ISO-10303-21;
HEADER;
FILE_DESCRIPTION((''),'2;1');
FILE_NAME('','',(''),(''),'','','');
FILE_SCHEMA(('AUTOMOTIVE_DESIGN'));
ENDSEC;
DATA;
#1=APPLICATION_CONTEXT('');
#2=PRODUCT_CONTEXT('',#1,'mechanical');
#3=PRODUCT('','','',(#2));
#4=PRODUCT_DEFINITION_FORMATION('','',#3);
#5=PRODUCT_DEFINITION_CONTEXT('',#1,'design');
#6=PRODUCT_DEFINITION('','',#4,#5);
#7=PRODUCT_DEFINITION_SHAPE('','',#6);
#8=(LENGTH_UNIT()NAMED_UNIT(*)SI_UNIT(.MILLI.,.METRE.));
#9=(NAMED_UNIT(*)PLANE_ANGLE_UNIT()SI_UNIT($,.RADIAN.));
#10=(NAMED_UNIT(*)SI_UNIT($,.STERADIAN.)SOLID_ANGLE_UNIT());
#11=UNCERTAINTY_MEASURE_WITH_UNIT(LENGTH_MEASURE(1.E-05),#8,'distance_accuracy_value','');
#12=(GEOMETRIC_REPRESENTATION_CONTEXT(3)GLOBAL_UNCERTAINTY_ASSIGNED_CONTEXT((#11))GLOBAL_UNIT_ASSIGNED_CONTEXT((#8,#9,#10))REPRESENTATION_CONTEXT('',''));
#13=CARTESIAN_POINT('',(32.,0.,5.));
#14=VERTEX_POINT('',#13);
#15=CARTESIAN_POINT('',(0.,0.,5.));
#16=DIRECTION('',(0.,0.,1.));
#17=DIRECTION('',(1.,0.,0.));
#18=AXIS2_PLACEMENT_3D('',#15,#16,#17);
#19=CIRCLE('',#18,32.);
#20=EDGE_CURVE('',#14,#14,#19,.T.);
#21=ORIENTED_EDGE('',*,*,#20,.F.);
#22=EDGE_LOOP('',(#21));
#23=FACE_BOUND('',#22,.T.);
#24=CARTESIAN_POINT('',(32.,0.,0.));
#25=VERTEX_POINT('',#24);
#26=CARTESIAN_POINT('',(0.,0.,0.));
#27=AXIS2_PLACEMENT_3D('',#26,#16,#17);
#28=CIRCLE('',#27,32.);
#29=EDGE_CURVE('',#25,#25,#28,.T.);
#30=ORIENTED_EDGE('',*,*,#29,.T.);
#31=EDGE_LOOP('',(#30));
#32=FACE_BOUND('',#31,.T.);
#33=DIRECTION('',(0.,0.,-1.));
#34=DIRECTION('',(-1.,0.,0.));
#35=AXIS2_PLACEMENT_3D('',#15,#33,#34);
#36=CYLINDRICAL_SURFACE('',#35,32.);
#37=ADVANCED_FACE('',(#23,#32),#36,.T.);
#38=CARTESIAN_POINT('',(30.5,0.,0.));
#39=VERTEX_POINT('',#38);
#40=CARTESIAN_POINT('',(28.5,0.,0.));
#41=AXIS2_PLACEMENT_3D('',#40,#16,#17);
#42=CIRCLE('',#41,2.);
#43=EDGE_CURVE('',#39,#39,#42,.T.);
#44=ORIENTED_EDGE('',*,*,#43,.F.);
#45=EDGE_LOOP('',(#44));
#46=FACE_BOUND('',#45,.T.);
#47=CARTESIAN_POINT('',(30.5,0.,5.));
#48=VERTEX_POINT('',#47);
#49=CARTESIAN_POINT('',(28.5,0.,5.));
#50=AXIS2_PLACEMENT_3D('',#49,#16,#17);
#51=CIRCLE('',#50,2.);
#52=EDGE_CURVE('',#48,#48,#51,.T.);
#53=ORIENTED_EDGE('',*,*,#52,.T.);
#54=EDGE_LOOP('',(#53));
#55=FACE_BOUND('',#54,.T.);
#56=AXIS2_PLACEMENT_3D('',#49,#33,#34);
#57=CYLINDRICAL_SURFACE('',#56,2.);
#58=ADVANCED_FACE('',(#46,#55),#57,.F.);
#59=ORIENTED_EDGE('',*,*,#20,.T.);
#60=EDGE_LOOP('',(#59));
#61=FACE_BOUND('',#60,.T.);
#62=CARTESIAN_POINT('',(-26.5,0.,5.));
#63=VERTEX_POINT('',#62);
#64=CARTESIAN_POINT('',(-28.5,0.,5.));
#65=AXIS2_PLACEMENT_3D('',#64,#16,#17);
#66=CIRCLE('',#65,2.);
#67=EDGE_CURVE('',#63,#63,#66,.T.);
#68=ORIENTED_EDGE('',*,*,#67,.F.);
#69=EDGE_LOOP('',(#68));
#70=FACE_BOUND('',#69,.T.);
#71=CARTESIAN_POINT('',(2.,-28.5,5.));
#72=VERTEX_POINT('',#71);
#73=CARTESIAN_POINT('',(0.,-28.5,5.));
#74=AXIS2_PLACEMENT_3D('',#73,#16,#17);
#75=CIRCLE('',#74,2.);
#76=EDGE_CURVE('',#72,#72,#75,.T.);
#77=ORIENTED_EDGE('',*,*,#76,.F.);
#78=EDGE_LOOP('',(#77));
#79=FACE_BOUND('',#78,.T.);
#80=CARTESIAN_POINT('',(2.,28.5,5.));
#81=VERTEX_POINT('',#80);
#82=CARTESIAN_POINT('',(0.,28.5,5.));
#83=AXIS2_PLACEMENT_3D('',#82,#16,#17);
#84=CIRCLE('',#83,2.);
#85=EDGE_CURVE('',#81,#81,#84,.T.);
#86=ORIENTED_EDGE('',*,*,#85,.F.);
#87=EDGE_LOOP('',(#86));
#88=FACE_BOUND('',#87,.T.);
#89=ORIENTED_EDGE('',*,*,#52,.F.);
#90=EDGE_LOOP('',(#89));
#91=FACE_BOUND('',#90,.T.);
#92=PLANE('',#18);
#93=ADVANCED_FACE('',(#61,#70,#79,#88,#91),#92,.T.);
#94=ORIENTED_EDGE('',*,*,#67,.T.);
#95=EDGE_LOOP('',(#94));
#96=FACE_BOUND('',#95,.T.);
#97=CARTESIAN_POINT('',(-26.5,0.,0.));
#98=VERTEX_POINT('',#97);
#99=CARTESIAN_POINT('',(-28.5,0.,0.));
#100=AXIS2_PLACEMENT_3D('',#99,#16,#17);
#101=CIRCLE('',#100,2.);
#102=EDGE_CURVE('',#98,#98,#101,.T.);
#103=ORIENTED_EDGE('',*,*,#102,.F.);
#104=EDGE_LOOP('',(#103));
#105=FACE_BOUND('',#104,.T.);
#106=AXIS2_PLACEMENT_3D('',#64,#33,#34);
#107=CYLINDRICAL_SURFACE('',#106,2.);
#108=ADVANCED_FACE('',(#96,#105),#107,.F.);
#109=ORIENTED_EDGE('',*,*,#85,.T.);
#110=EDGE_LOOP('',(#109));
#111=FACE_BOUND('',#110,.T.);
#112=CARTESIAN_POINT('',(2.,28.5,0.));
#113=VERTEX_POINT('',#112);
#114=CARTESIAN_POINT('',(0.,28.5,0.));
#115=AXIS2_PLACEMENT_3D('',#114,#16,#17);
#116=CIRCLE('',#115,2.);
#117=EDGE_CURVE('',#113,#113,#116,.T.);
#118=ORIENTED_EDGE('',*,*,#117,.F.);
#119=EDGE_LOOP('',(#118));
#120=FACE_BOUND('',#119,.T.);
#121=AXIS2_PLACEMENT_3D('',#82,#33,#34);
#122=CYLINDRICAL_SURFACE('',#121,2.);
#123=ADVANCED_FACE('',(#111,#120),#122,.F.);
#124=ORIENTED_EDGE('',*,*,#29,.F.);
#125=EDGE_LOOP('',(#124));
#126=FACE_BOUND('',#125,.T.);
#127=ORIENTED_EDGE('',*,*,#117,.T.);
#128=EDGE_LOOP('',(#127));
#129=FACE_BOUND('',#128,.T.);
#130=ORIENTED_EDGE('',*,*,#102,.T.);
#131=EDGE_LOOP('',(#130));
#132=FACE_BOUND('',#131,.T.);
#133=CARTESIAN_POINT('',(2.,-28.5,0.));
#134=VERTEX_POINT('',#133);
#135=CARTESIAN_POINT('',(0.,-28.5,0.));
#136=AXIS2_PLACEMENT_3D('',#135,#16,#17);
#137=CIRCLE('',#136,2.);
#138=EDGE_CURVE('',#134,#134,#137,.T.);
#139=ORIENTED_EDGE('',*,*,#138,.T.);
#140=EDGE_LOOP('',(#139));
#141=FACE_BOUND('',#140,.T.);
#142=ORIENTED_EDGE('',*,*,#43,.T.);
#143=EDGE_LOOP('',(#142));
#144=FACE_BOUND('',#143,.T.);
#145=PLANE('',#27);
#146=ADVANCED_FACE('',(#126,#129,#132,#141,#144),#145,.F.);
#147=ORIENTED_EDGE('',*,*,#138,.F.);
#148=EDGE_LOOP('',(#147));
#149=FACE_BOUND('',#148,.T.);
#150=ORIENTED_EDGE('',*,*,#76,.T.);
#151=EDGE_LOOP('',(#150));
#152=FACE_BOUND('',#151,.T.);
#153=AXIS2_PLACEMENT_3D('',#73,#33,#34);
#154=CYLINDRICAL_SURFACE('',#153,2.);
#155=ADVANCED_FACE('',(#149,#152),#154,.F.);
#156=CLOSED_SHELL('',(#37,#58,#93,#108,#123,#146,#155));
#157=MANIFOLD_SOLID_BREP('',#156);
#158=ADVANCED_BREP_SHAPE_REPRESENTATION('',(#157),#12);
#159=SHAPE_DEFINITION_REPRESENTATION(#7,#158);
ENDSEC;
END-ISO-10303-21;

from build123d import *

# Parameters (mm, degrees)
SKETCH1_R           = 32
SKETCH1_R_2         = 2
BOSS_EXTRUDE1_DEPTH = 5


with BuildPart() as part:
    # Sketch1 → Boss-Extrude1 (new body)
    with BuildSketch(Plane.XY):
        Circle(SKETCH1_R)
        with Locations((0, 28.5)):
            Circle(SKETCH1_R_2, mode=Mode.SUBTRACT)
        with Locations((28.5, 0)):
            Circle(SKETCH1_R_2, mode=Mode.SUBTRACT)
        with Locations((0, -28.5)):
            Circle(SKETCH1_R_2, mode=Mode.SUBTRACT)
        with Locations((-28.5, 0)):
            Circle(SKETCH1_R_2, mode=Mode.SUBTRACT)
    extrude(amount=BOSS_EXTRUDE1_DEPTH)


solid = part.part
